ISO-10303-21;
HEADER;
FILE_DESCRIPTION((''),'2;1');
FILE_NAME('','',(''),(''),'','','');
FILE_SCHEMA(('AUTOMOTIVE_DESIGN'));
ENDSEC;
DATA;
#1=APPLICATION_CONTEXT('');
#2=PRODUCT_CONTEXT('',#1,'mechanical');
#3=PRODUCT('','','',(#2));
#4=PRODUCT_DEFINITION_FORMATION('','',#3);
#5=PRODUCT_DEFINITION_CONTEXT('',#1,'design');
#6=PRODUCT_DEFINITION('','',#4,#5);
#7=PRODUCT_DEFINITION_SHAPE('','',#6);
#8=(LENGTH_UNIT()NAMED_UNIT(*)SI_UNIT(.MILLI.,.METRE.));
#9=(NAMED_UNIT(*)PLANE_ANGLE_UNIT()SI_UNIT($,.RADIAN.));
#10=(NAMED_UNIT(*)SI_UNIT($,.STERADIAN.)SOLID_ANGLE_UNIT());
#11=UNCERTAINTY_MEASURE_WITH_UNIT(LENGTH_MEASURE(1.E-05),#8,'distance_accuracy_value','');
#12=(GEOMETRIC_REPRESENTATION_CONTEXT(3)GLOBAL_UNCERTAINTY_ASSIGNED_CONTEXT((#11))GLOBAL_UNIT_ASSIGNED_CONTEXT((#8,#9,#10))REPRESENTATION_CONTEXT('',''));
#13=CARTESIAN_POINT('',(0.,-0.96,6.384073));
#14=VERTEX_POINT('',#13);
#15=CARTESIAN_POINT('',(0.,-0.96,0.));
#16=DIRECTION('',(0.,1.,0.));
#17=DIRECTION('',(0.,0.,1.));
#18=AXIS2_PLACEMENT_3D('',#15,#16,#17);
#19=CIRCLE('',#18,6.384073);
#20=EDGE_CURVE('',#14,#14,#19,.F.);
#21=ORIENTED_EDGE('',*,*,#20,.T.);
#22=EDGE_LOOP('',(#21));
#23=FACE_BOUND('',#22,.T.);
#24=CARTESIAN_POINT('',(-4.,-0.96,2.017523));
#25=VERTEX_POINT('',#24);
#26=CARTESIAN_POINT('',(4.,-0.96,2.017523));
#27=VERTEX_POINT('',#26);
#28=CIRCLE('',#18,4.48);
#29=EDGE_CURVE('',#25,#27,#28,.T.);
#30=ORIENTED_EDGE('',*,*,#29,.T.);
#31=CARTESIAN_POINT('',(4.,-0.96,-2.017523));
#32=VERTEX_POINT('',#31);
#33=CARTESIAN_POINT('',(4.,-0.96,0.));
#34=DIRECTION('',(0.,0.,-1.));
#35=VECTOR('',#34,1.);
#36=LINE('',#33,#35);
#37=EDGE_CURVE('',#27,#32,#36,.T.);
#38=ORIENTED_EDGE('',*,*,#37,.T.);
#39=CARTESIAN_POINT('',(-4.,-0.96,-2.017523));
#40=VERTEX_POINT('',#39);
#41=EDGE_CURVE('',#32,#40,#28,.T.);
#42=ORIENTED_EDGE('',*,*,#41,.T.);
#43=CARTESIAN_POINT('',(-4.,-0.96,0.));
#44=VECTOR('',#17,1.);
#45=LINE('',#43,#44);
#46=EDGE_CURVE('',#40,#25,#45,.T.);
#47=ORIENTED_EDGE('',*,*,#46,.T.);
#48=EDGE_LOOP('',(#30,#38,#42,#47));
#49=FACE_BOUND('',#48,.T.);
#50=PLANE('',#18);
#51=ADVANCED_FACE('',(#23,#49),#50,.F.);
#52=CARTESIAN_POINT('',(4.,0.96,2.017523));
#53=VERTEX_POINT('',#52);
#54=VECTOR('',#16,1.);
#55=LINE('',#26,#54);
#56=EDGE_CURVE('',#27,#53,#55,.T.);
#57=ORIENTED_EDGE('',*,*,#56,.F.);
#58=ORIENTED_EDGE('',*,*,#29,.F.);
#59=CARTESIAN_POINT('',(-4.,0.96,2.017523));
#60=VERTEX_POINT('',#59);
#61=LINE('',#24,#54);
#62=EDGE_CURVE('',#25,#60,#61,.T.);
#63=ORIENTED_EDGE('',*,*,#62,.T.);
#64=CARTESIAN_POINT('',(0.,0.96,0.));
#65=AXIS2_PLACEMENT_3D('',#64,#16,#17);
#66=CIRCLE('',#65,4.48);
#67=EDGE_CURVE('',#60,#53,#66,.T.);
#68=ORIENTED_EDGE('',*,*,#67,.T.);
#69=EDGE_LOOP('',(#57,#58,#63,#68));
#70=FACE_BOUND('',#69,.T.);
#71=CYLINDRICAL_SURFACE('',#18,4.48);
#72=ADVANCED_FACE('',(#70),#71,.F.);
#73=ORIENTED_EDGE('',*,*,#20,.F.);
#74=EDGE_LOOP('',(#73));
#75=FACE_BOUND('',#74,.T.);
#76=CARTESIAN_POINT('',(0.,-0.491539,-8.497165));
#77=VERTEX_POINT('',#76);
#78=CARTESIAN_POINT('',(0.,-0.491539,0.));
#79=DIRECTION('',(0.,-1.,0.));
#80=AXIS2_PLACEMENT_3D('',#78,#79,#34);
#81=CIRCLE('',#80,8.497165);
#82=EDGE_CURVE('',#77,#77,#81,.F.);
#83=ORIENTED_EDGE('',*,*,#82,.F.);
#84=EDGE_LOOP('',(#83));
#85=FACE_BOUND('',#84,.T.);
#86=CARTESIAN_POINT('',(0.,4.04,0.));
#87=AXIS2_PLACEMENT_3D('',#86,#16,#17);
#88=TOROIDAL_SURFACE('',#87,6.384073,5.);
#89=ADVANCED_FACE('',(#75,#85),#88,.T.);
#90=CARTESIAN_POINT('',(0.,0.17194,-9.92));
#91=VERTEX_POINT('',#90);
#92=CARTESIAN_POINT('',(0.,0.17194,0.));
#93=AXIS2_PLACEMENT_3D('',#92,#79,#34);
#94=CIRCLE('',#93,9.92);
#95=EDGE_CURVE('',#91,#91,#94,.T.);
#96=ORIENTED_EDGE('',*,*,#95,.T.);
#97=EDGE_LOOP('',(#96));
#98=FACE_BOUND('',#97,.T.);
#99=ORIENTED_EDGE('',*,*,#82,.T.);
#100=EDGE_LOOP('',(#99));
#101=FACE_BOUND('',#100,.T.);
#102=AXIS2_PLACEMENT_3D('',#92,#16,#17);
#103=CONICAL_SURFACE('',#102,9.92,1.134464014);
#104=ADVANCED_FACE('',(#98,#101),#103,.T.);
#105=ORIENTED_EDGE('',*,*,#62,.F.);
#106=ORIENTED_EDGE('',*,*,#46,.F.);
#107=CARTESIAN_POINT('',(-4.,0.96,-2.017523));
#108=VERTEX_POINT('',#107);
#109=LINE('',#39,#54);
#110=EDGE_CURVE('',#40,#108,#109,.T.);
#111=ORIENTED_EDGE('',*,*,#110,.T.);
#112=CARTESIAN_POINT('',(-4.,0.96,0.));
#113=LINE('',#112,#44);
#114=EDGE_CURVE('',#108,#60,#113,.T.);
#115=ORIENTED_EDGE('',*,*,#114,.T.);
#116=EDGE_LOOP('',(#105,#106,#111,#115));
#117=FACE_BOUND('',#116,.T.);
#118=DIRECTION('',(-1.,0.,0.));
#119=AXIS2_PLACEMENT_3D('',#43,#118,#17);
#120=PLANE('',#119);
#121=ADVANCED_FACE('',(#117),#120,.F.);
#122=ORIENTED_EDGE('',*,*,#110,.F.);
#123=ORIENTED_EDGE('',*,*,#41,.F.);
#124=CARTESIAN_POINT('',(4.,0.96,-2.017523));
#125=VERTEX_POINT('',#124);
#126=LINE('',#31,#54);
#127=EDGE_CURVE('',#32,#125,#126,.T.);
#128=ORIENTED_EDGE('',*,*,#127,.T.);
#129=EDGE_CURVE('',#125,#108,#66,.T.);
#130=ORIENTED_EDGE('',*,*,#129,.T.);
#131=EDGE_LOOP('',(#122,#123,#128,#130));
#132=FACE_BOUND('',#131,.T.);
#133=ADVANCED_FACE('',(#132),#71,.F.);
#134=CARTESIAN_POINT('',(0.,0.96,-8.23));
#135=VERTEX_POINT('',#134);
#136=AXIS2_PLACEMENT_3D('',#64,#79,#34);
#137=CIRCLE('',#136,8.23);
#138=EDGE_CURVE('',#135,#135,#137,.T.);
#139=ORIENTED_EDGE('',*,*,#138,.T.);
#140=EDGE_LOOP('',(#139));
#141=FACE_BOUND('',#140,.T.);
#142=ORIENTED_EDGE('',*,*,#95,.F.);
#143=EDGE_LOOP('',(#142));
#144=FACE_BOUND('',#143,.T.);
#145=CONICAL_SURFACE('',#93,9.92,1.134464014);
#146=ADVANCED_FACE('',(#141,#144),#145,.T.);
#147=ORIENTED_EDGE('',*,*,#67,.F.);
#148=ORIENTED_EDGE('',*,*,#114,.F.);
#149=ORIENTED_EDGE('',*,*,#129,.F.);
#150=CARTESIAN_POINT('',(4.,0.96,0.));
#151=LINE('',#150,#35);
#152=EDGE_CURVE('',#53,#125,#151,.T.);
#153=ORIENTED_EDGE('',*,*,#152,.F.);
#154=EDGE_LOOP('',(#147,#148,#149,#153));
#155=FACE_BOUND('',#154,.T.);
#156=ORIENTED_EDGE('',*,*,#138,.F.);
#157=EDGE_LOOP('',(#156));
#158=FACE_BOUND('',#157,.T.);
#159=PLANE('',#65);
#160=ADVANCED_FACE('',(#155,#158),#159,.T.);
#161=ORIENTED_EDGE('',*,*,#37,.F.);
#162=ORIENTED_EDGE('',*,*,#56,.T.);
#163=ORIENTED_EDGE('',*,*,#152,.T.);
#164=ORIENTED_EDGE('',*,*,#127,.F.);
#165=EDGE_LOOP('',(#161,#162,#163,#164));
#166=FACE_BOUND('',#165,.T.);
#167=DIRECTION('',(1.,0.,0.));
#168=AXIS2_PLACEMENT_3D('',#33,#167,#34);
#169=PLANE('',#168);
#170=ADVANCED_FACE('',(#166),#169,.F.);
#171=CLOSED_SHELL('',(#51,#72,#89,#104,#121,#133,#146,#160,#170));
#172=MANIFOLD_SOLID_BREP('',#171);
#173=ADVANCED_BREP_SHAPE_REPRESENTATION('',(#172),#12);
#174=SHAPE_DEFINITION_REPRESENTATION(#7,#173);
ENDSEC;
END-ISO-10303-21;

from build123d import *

# Parameters (mm, degrees)
SKETCH2_R           = 9.92
BOSS_EXTRUDE1_DEPTH = 0.96
CUT_EXTRUDE2_DEPTH  = 1.92
FILLET1_R           = 5


with BuildPart() as part:
    # Sketch2 → Boss-Extrude1 (new body, symmetric)
    with BuildSketch(Plane(origin=(0, 0, 0), x_dir=(1, 0, 0), z_dir=(0, 1, 0))):
        Circle(SKETCH2_R)
    extrude(amount=BOSS_EXTRUDE1_DEPTH, both=True)

    # Sketch3 → Cut-Revolve3 (revolve, cut)
    with BuildSketch(Plane.XY):
        Polygon((-9.92, 0.96), (-9.92, 0.171940058), (-8.23, 0.96), align=None)
        Polygon((-7.492546713, -0.96), (-9.92, 0.171940058), (-9.92, -0.96), align=None)
    revolve(axis=Axis((0, 0, 0), (0, 1, 0)), mode=Mode.SUBTRACT)

    # Sketch4 → Cut-Extrude2 (cut)
    with BuildSketch(Plane(origin=(0, 0.96, 0), x_dir=(1, 0, 0), z_dir=(0, 1, 0))):
        with BuildLine():
            Line((4, 0), (4, 2.017523234))
            ThreePointArc((4, 2.017523234), (0, 4.48), (-4, 2.017523234))
            Line((-4, 2.017523234), (-4, 0))
            Line((-4, 0), (-4, -2.017523234))
            ThreePointArc((-4, -2.017523234), (0, -4.48), (4, -2.017523234))
            Line((4, -2.017523234), (4, 0))
        make_face()
    extrude(amount=-CUT_EXTRUDE2_DEPTH, mode=Mode.SUBTRACT)

    # Fillet1
    fillet1_edges = [part.edges().sort_by_distance(p)[0] for p in [
        (7.492546713, -0.96, 0),
    ]]
    fillet(fillet1_edges, radius=FILLET1_R)


solid = part.part
